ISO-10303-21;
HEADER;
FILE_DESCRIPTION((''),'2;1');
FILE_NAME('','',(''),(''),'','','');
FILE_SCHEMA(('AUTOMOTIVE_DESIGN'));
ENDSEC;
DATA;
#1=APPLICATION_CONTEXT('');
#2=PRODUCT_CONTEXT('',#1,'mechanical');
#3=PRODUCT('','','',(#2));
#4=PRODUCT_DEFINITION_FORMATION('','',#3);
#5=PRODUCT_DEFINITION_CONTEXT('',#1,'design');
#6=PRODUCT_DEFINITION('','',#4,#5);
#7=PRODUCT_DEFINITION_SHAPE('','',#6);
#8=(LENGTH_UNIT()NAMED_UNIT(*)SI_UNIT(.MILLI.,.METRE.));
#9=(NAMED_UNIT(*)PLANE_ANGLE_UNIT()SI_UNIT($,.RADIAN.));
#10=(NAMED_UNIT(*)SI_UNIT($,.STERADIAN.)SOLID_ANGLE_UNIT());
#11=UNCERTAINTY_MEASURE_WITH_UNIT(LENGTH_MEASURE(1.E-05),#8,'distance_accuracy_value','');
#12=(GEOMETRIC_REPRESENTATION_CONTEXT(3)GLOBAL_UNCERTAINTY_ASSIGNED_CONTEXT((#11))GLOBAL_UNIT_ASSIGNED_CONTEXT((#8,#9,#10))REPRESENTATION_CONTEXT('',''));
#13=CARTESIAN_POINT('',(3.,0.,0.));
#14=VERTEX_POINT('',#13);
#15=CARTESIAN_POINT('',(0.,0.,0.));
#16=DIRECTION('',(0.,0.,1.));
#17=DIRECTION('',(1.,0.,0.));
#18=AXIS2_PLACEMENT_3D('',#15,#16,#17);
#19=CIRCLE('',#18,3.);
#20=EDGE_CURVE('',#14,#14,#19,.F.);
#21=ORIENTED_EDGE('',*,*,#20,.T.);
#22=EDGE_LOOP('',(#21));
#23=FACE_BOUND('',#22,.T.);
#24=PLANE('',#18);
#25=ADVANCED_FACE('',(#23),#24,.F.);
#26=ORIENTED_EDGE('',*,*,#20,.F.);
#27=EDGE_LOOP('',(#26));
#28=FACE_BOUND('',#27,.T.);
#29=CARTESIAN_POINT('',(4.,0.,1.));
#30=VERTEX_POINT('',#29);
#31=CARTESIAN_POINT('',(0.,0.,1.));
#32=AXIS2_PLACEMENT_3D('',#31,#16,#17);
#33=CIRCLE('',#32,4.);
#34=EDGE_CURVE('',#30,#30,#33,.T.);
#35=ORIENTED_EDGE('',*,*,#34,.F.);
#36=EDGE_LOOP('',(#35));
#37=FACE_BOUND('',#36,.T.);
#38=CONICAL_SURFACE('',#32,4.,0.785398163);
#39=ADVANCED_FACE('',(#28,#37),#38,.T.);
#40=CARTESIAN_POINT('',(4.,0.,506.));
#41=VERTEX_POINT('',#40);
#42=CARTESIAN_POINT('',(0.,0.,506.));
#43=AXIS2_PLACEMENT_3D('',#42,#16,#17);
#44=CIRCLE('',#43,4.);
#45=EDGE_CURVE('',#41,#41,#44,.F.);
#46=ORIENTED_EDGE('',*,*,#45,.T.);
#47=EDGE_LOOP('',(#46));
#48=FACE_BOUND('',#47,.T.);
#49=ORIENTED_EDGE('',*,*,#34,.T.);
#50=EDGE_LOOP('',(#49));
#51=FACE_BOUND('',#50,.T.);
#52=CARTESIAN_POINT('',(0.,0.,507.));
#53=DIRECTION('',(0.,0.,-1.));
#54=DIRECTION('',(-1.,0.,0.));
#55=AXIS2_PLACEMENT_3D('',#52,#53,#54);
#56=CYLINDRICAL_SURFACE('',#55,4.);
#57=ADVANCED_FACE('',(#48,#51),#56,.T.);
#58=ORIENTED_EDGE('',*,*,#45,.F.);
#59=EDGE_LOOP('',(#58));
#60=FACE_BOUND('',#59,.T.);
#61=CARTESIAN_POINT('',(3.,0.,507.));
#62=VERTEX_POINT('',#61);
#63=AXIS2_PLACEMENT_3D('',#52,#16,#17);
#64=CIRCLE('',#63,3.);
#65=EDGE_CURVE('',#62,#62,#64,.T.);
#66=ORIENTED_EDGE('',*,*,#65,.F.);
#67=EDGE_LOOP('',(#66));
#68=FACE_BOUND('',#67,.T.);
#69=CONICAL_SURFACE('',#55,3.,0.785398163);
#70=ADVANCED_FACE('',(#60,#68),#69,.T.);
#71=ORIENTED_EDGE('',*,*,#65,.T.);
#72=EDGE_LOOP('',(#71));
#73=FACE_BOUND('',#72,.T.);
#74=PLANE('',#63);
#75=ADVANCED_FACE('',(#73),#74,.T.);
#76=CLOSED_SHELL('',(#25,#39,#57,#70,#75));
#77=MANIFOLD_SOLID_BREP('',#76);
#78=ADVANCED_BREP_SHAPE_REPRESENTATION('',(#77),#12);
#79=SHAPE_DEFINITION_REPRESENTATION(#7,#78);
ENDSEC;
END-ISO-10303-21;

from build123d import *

# Parameters (mm, degrees)
SKETCH1_R           = 4
BOSS_EXTRUDE1_DEPTH = 507
CHAMFER1_SIZE       = 1


with BuildPart() as part:
    # Sketch1 → Boss-Extrude1 (new body)
    with BuildSketch(Plane.XY):
        Circle(SKETCH1_R)
    extrude(amount=BOSS_EXTRUDE1_DEPTH)

    # Chamfer1
    chamfer1_edges = [part.edges().sort_by_distance(p)[0] for p in [
        (-4, 0, 0),
        (-4, 0, 507),
    ]]
    chamfer(chamfer1_edges, length=CHAMFER1_SIZE)


solid = part.part
